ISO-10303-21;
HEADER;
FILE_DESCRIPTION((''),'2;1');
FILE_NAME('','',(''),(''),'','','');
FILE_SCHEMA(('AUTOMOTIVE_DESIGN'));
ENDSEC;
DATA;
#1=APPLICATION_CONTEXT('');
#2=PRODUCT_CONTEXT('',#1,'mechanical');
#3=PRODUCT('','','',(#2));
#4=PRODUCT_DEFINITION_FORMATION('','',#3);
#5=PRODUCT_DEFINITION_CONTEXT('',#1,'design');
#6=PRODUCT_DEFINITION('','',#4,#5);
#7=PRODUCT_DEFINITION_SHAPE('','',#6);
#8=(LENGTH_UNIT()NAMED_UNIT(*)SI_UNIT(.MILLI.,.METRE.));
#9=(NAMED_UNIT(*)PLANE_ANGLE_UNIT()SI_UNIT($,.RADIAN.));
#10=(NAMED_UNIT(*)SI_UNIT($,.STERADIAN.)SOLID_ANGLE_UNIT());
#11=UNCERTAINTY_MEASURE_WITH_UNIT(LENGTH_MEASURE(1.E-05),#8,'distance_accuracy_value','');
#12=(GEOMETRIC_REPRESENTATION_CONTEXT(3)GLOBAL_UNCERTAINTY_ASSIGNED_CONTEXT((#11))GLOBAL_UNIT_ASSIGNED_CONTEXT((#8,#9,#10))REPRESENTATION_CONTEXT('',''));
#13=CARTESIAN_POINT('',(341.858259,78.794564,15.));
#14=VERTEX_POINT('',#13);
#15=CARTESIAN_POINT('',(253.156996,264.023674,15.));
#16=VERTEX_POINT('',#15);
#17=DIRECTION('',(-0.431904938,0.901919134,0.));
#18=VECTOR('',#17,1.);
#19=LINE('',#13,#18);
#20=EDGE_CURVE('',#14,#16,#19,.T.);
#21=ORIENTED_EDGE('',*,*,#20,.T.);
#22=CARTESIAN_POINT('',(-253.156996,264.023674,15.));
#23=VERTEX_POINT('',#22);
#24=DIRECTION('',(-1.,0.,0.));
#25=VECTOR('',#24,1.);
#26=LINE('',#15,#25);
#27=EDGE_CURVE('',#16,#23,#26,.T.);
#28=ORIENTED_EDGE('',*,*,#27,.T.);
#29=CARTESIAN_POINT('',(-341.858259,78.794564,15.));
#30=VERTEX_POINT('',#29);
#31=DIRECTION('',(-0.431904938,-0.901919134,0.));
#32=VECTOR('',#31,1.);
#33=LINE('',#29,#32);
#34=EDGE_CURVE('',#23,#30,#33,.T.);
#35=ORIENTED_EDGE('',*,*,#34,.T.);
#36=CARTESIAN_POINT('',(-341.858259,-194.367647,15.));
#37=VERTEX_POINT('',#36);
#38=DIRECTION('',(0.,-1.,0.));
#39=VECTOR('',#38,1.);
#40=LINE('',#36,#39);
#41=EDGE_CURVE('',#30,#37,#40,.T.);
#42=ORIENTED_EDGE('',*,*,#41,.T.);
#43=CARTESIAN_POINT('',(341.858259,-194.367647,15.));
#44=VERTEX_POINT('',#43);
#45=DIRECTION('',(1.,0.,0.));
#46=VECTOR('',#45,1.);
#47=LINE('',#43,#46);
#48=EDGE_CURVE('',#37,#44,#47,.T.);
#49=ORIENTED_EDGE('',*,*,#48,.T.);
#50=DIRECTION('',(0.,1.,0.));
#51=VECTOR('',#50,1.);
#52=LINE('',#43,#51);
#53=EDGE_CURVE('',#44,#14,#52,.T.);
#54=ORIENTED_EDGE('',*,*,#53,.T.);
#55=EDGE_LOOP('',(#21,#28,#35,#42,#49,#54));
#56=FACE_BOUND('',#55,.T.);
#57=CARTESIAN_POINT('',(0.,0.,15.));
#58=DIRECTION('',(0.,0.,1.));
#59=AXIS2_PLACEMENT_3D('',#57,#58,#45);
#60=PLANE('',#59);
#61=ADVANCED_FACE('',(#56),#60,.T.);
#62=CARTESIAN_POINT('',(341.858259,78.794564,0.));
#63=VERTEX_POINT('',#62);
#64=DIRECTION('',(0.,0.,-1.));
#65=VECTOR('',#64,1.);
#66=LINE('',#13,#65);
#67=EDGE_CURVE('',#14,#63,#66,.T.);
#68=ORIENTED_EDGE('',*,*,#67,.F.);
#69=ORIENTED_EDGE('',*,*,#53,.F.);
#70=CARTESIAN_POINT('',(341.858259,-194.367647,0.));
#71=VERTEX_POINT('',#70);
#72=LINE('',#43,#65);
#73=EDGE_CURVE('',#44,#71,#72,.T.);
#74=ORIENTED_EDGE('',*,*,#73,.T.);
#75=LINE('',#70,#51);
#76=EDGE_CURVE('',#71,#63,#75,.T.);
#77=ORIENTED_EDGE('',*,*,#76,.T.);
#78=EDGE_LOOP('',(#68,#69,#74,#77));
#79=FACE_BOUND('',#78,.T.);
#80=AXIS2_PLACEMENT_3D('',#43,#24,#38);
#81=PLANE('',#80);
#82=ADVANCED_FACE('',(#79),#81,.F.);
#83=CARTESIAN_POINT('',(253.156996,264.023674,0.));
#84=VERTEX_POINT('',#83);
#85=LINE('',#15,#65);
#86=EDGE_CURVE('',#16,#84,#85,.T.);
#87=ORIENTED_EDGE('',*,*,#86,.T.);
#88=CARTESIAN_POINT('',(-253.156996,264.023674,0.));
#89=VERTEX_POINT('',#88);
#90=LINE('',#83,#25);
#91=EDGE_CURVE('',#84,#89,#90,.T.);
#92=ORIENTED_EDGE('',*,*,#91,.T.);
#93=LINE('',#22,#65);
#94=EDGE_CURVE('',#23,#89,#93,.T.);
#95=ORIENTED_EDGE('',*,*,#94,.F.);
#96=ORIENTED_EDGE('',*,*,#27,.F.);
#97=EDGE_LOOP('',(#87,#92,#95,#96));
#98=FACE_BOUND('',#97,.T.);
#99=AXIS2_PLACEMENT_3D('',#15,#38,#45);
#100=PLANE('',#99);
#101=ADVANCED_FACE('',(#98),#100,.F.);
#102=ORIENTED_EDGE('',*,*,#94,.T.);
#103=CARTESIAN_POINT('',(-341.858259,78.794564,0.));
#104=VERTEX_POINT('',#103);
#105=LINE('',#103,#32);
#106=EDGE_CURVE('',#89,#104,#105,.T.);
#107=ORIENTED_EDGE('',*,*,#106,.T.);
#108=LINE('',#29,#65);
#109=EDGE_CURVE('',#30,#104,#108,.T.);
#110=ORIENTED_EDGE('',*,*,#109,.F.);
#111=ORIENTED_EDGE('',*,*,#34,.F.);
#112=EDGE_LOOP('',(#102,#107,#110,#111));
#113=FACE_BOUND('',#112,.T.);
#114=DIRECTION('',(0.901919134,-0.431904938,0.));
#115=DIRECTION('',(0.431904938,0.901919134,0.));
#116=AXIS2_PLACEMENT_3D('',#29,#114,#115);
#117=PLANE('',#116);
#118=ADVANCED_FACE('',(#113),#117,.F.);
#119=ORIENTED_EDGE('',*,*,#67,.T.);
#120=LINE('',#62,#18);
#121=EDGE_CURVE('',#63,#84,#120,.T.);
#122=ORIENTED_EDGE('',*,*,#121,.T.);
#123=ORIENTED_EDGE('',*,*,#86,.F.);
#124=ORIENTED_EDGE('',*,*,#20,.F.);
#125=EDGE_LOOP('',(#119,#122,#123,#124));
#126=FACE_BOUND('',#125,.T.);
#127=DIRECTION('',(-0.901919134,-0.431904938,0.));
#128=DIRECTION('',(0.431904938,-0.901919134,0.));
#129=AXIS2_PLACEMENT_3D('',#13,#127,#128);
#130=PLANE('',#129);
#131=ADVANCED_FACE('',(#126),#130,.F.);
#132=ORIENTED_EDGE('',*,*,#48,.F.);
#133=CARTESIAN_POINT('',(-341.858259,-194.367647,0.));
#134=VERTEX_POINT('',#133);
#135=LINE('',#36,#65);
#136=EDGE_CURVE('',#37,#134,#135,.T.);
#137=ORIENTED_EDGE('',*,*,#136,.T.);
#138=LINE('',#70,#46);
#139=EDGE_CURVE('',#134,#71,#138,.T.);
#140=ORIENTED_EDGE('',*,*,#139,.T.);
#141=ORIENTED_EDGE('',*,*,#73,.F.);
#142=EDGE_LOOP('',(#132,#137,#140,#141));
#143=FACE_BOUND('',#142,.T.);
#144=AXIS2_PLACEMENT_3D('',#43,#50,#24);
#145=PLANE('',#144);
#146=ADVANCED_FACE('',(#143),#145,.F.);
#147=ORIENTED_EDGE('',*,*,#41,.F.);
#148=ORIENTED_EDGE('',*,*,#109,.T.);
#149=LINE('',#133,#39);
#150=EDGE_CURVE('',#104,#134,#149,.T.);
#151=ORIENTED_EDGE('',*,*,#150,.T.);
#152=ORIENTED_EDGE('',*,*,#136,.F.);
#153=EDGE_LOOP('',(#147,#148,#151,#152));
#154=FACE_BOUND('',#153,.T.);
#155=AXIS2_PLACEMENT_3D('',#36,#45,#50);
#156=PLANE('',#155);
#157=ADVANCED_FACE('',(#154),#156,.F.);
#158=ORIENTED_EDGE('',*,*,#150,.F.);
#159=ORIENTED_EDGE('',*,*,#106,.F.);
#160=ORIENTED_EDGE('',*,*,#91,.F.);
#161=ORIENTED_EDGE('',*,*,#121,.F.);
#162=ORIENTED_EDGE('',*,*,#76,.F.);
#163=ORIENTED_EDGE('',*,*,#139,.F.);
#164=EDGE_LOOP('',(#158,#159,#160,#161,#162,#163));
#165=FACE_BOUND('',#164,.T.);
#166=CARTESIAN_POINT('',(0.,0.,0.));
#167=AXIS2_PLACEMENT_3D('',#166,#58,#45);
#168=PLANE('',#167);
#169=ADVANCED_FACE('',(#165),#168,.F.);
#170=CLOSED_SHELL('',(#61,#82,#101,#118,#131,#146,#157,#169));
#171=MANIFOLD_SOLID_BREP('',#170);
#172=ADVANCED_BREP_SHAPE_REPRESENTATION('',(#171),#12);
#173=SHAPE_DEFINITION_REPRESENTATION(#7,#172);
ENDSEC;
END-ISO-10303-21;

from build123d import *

# Parameters (mm, degrees)
AUFSATZ_LINEAR_AUSTRAGEN1_DEPTH = 15


with BuildPart() as part:
    # Skizze1 → Aufsatz-Linear austragen1 (new body)
    with BuildSketch(Plane.XY):
        Polygon((341.858259494, -194.367647059), (-341.858259494, -194.367647059), (-341.858259494, 78.794563683), (-253.156995608, 264.02367356), (253.156995608, 264.02367356), (341.858259494, 78.794563683), align=None)
    extrude(amount=AUFSATZ_LINEAR_AUSTRAGEN1_DEPTH)


solid = part.part
